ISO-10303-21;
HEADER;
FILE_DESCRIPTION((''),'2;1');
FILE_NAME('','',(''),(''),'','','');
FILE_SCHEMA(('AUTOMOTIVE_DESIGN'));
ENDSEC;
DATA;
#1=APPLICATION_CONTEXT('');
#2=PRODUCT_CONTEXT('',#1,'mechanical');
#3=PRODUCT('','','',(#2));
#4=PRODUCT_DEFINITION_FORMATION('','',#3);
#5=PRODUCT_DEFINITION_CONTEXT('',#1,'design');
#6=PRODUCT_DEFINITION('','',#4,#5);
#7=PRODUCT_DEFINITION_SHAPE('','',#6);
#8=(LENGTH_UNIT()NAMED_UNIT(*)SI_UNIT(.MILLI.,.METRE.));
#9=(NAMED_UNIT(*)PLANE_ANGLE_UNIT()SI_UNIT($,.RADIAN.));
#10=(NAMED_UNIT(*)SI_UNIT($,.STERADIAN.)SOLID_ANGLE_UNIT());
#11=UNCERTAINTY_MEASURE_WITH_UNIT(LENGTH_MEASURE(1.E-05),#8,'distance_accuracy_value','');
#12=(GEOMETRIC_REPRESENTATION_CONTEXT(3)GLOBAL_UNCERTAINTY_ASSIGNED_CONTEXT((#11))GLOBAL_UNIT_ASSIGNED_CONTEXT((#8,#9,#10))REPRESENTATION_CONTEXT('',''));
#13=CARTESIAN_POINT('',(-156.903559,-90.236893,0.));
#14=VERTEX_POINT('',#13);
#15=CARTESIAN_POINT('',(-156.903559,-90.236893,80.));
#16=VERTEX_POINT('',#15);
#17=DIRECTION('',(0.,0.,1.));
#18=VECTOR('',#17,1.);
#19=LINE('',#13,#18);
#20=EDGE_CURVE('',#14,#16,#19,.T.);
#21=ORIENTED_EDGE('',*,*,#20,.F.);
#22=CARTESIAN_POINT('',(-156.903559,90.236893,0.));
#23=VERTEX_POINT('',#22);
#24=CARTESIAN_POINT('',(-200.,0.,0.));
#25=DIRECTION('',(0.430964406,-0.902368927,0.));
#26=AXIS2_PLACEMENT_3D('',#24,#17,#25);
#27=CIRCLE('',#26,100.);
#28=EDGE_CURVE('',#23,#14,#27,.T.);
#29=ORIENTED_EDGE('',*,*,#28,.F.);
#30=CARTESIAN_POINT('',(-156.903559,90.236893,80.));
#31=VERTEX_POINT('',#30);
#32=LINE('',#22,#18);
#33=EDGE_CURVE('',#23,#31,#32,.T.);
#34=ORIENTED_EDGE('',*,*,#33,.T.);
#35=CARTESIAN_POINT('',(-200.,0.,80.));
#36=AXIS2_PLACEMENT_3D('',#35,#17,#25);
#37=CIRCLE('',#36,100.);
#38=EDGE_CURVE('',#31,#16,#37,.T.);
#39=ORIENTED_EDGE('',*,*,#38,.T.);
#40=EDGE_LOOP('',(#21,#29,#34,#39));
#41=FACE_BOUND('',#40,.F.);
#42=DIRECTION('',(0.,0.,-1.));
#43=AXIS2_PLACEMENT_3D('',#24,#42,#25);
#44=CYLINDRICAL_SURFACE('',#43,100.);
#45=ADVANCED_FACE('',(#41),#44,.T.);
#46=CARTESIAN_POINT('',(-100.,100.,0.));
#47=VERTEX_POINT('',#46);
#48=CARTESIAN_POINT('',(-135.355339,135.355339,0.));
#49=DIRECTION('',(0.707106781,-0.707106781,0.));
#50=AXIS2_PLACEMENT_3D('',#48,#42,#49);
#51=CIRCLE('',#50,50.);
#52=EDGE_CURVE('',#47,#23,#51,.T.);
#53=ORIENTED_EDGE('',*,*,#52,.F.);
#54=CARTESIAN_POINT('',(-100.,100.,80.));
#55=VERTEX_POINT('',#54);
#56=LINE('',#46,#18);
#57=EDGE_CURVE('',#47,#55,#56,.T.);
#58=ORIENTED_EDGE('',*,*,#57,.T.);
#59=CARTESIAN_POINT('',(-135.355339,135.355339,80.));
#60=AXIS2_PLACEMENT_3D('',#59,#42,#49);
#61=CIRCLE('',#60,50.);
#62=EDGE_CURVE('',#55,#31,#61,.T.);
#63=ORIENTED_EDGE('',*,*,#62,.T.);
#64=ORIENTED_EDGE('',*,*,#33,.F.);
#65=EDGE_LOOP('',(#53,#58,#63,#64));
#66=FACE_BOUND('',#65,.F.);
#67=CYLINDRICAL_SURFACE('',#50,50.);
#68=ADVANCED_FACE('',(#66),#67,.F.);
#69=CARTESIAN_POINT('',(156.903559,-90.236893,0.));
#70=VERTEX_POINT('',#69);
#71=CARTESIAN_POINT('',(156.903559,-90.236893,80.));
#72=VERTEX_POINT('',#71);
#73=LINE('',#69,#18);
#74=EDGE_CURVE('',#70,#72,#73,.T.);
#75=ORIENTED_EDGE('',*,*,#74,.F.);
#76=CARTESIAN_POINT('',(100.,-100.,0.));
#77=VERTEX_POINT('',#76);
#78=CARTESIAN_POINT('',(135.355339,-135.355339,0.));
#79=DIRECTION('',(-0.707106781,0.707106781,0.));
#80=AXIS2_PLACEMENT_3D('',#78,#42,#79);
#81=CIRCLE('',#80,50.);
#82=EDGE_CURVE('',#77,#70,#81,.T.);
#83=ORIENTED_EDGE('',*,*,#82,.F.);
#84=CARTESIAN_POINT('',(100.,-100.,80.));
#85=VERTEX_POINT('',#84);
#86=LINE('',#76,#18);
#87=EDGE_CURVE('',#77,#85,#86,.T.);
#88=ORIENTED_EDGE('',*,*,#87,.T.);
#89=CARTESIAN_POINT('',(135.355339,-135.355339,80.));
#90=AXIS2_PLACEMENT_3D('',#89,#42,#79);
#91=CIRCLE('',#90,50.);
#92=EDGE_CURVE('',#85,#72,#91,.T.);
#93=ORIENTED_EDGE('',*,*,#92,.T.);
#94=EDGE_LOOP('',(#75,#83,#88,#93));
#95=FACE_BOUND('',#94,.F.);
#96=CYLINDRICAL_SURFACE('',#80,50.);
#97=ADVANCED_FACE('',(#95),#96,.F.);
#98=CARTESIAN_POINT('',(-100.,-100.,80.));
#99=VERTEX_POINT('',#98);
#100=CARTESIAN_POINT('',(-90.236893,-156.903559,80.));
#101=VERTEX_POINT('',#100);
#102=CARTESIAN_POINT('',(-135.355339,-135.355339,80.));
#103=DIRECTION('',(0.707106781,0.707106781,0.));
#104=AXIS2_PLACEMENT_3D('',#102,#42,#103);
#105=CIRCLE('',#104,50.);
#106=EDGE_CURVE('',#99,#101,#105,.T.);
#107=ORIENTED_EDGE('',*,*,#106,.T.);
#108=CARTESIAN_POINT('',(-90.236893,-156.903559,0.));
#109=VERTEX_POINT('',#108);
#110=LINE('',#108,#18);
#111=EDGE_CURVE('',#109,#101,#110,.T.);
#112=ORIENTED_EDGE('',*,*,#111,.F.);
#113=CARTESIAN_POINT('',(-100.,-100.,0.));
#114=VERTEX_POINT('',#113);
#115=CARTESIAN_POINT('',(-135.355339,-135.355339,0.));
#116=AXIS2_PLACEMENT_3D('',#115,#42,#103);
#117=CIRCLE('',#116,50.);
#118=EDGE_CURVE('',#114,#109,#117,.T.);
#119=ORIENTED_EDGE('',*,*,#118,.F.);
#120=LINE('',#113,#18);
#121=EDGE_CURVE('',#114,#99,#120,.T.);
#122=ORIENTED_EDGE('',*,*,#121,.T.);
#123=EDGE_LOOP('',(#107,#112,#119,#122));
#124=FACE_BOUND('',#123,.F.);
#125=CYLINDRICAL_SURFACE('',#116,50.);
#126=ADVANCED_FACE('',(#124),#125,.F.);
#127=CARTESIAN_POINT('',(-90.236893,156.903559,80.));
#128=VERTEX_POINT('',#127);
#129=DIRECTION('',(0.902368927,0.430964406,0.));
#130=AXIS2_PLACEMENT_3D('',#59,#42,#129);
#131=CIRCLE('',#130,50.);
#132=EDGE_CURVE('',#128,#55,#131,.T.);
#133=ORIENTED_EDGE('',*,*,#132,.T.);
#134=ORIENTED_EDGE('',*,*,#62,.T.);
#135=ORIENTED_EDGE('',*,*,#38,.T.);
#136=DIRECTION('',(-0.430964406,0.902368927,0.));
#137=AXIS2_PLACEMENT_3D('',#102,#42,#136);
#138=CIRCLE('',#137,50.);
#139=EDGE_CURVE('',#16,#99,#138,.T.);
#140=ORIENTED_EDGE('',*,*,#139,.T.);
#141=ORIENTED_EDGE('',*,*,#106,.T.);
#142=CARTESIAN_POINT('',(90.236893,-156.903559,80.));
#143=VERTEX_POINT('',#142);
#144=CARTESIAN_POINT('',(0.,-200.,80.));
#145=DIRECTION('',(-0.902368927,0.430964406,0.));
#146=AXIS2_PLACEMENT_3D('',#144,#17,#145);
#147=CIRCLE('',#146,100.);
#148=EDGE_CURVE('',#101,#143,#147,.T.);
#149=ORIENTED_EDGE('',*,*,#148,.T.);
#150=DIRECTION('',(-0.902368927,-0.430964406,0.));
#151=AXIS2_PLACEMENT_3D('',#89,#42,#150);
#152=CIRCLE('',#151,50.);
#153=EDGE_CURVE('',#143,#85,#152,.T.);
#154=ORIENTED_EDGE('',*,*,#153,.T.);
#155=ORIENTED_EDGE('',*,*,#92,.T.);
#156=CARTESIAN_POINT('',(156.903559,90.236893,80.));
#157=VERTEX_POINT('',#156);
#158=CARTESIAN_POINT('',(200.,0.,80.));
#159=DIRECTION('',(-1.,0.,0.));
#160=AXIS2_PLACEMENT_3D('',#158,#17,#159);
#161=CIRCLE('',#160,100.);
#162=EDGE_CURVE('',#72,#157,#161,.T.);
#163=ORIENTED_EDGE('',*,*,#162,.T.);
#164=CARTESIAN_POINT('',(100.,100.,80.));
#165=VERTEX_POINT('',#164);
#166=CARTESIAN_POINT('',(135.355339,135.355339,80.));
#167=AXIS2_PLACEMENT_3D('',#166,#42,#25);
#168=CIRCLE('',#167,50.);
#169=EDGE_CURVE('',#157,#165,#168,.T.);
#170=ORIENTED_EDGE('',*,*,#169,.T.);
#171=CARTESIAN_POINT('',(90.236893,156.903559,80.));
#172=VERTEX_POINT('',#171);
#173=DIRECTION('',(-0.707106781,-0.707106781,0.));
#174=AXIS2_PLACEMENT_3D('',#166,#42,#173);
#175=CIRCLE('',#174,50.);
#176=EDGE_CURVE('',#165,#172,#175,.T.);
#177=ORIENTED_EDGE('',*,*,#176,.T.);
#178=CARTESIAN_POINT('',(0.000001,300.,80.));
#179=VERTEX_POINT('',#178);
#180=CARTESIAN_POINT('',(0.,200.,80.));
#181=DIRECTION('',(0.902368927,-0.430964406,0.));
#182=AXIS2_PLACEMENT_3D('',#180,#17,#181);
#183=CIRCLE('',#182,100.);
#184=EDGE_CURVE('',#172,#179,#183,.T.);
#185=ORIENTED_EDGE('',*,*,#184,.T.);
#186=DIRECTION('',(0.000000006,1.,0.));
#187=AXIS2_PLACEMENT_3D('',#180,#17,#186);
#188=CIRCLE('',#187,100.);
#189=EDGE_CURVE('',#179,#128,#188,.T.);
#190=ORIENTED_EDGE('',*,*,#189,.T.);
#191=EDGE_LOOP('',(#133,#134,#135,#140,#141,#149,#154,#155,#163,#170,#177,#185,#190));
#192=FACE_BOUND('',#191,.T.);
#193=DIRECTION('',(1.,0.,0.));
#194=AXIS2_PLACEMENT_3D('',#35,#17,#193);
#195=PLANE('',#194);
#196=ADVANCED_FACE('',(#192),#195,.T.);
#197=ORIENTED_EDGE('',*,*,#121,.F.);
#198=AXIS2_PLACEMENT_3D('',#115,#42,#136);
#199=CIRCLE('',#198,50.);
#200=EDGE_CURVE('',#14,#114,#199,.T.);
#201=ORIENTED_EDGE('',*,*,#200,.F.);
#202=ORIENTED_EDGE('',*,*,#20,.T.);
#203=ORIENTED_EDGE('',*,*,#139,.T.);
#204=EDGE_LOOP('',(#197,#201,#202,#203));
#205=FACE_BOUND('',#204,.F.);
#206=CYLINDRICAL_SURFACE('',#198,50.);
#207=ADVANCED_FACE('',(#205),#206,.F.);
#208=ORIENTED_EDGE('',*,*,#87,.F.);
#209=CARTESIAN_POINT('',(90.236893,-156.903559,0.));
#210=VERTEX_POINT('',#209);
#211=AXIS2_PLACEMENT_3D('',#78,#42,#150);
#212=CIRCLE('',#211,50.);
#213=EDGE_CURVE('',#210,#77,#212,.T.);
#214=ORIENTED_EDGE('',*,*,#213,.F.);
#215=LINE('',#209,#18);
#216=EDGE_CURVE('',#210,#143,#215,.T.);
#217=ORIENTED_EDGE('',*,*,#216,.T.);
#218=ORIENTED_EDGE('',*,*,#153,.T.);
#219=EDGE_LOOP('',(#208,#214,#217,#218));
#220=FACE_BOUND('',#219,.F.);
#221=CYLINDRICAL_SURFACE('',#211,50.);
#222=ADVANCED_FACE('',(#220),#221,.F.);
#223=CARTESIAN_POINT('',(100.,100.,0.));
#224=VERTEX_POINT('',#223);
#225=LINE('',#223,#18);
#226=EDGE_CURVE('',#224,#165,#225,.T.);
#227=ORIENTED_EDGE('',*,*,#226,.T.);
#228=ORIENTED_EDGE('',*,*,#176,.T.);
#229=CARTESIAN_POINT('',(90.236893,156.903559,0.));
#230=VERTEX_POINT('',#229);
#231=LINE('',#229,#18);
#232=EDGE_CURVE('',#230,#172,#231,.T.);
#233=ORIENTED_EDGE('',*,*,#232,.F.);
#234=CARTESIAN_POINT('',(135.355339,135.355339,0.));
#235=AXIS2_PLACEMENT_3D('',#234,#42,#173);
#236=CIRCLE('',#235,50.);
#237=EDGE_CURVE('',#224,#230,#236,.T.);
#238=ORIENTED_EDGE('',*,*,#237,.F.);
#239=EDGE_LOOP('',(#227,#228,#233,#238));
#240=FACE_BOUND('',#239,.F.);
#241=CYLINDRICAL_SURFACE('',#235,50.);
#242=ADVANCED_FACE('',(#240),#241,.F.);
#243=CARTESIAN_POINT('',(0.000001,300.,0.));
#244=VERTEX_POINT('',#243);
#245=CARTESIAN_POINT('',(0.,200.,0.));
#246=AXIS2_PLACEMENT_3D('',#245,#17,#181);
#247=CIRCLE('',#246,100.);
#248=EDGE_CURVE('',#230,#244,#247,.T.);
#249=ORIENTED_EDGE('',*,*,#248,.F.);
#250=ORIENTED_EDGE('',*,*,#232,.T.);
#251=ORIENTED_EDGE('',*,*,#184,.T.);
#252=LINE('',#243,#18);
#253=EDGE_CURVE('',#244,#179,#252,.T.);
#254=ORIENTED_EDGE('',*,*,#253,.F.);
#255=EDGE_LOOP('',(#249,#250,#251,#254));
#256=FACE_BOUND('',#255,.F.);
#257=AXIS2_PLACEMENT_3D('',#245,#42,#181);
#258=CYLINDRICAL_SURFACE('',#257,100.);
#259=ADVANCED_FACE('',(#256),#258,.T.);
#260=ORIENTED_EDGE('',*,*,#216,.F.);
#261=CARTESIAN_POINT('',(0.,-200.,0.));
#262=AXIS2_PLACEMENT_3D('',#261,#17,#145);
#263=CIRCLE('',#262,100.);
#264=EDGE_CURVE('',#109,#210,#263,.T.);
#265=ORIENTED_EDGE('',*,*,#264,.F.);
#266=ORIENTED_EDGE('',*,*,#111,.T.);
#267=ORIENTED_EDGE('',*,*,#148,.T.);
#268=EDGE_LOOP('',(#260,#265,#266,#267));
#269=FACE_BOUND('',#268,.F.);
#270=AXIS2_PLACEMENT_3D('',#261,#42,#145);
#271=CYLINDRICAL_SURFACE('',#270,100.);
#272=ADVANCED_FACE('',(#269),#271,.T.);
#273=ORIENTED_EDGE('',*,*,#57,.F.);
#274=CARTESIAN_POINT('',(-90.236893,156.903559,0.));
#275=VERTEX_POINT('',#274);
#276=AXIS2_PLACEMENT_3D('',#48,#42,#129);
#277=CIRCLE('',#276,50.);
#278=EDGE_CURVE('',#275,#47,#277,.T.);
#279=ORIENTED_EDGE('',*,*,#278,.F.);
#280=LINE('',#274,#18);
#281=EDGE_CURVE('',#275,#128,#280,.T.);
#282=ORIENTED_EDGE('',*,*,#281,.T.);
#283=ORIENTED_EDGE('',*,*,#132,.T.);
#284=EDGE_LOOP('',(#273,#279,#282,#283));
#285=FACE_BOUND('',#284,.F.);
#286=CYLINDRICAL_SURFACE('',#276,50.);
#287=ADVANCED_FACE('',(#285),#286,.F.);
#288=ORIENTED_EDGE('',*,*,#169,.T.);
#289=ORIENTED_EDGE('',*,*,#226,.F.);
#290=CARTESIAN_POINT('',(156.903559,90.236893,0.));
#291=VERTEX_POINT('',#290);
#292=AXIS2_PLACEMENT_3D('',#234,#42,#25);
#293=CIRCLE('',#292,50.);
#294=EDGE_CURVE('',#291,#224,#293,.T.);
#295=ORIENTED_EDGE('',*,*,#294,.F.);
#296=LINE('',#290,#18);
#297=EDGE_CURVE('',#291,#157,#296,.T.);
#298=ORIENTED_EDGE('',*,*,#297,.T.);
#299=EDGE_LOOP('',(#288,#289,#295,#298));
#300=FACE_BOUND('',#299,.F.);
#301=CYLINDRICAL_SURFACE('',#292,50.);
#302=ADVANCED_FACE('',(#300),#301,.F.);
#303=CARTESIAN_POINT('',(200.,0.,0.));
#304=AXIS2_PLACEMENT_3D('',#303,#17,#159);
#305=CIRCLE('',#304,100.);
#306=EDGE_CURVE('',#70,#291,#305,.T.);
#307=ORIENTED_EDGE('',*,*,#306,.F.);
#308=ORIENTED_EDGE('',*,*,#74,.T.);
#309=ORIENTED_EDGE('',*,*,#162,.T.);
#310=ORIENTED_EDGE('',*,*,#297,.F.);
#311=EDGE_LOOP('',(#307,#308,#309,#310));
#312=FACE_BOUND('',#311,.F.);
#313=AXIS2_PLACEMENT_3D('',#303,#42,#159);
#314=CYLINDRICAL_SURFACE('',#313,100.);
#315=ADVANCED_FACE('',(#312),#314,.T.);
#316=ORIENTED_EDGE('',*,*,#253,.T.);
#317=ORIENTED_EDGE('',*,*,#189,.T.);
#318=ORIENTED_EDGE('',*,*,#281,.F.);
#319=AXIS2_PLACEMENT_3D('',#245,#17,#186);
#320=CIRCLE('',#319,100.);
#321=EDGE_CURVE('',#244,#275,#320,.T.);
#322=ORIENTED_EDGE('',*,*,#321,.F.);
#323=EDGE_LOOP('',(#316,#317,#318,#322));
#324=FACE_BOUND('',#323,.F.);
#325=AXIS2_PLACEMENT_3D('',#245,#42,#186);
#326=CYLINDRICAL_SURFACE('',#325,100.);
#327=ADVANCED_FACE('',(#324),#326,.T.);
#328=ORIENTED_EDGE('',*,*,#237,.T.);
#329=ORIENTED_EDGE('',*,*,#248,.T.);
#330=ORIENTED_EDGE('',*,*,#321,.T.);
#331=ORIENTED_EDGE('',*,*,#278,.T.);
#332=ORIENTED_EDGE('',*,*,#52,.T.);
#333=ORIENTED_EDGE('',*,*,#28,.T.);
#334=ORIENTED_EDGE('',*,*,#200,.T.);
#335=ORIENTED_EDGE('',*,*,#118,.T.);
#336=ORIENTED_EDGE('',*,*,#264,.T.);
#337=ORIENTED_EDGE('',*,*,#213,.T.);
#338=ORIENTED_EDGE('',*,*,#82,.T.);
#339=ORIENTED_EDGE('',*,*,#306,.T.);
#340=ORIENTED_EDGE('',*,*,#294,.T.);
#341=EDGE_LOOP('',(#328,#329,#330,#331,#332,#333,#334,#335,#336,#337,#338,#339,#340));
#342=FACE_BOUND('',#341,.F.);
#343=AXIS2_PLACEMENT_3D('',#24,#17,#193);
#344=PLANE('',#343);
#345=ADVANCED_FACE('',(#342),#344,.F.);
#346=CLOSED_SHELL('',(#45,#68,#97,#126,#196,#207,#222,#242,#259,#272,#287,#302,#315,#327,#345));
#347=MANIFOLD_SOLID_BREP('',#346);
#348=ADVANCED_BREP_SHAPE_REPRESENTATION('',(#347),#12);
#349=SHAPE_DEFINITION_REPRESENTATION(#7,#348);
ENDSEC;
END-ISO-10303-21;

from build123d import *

# Parameters (mm, degrees)
F1_DEPTH = 80


with BuildPart() as f1:
    # F0 (on Top) → F1 (new body)
    with BuildSketch(Plane.XY):
        with BuildLine():
            ThreePointArc((-156.9035593729, -90.2368927062), (-115.4138189102, -53.3402096794), (-100, 0))
            ThreePointArc((-100, 0), (-115.4138189102, 53.3402096794), (-156.9035593729, 90.2368927062))
            ThreePointArc((-156.9035593729, 90.2368927062), (-253.3402095639, 84.5861811626), (-300, 2.731e-07))
            ThreePointArc((-300, 2.731e-07), (-253.3402097949, -84.586181017), (-156.9035593729, -90.2368927062))
        make_face()
        with BuildLine():
            ThreePointArc((-90.2368927062, 156.9035593729), (-53.3402097372, 115.4138189466), (-1.365e-07, 100))
            ThreePointArc((-1.365e-07, 100), (53.3402096217, 115.4138188738), (90.2368927062, 156.9035593729))
            ThreePointArc((90.2368927062, 156.9035593729), (97.5286862175, 177.905761731), (100, 200))
            ThreePointArc((100, 200), (70.7106783302, 270.7106779071), (5.983e-07, 300))
            ThreePointArc((5.983e-07, 300), (-84.5861809302, 253.3402099325), (-90.2368927062, 156.9035593729))
        make_face()
        with BuildLine():
            ThreePointArc((156.9035593729, 90.2368927062), (115.4138189102, 53.3402096794), (100, 0))
            ThreePointArc((100, 0), (115.4138189102, -53.3402096794), (156.9035593729, -90.2368927062))
            ThreePointArc((156.9035593729, -90.2368927062), (253.3402096794, -84.5861810898), (300, 0))
            ThreePointArc((300, 0), (253.3402096794, 84.5861810898), (156.9035593729, 90.2368927062))
        make_face()
        with BuildLine():
            ThreePointArc((90.2368927062, -156.9035593729), (53.3402096137, -115.4138188688), (-1.553e-07, -100))
            ThreePointArc((-1.553e-07, -100), (-53.3402097451, -115.4138189516), (-90.2368927062, -156.9035593729))
            ThreePointArc((-90.2368927062, -156.9035593729), (-84.5861811956, -253.3402095117), (-3.966e-07, -300))
            ThreePointArc((-3.966e-07, -300), (70.7106779784, -270.7106782589), (100, -200))
            ThreePointArc((100, -200), (97.5286862175, -177.905761731), (90.2368927062, -156.9035593729))
        make_face()
        with BuildLine():
            ThreePointArc((-90.2368927062, -156.9035593729), (-53.3402097451, -115.4138189516), (-1.553e-07, -100))
            Line((-1.553e-07, -100), (-100, -100))
            ThreePointArc((-100, -100), (-86.0754110767, -126.900240123), (-90.2368927062, -156.9035593729))
        make_face()
        with BuildLine():
            ThreePointArc((-156.9035593729, -90.2368927062), (-126.900240123, -86.0754110767), (-100, -100))
            Line((-100, -100), (-100, 0))
            ThreePointArc((-100, 0), (-115.4138189102, -53.3402096794), (-156.9035593729, -90.2368927062))
        make_face()
        with BuildLine():
            ThreePointArc((-156.9035593729, 90.2368927062), (-115.4138189102, 53.3402096794), (-100, 0))
            Line((-100, 0), (-100, 100))
            ThreePointArc((-100, 100), (-126.900240123, 86.0754110767), (-156.9035593729, 90.2368927062))
        make_face()
        with BuildLine():
            Line((-100, 100), (-1.365e-07, 100))
            ThreePointArc((-1.365e-07, 100), (-53.3402097372, 115.4138189466), (-90.2368927062, 156.9035593729))
            ThreePointArc((-90.2368927062, 156.9035593729), (-86.0754110767, 126.900240123), (-100, 100))
        make_face()
        with BuildLine():
            Line((-1.365e-07, 100), (100, 100))
            ThreePointArc((100, 100), (86.0754110767, 126.900240123), (90.2368927062, 156.9035593729))
            ThreePointArc((90.2368927062, 156.9035593729), (53.3402096217, 115.4138188738), (-1.365e-07, 100))
        make_face()
        with BuildLine():
            Line((100, 100), (100, 0))
            ThreePointArc((100, 0), (115.4138189102, 53.3402096794), (156.9035593729, 90.2368927062))
            ThreePointArc((156.9035593729, 90.2368927062), (126.900240123, 86.0754110767), (100, 100))
        make_face()
        with BuildLine():
            Line((100, 0), (100, -100))
            ThreePointArc((100, -100), (126.900240123, -86.0754110767), (156.9035593729, -90.2368927062))
            ThreePointArc((156.9035593729, -90.2368927062), (115.4138189102, -53.3402096794), (100, 0))
        make_face()
        Polygon((-1.553e-07, -100), (100, -100), (100, 0), (100, 100), (-1.365e-07, 100), (-100, 100), (-100, 0), (-100, -100), align=None)
        with BuildLine():
            ThreePointArc((90.2368927062, -156.9035593729), (86.0754110767, -126.900240123), (100, -100))
            Line((100, -100), (-1.553e-07, -100))
            ThreePointArc((-1.553e-07, -100), (53.3402096137, -115.4138188688), (90.2368927062, -156.9035593729))
        make_face()
    extrude(amount=F1_DEPTH)


solid = f1.part
